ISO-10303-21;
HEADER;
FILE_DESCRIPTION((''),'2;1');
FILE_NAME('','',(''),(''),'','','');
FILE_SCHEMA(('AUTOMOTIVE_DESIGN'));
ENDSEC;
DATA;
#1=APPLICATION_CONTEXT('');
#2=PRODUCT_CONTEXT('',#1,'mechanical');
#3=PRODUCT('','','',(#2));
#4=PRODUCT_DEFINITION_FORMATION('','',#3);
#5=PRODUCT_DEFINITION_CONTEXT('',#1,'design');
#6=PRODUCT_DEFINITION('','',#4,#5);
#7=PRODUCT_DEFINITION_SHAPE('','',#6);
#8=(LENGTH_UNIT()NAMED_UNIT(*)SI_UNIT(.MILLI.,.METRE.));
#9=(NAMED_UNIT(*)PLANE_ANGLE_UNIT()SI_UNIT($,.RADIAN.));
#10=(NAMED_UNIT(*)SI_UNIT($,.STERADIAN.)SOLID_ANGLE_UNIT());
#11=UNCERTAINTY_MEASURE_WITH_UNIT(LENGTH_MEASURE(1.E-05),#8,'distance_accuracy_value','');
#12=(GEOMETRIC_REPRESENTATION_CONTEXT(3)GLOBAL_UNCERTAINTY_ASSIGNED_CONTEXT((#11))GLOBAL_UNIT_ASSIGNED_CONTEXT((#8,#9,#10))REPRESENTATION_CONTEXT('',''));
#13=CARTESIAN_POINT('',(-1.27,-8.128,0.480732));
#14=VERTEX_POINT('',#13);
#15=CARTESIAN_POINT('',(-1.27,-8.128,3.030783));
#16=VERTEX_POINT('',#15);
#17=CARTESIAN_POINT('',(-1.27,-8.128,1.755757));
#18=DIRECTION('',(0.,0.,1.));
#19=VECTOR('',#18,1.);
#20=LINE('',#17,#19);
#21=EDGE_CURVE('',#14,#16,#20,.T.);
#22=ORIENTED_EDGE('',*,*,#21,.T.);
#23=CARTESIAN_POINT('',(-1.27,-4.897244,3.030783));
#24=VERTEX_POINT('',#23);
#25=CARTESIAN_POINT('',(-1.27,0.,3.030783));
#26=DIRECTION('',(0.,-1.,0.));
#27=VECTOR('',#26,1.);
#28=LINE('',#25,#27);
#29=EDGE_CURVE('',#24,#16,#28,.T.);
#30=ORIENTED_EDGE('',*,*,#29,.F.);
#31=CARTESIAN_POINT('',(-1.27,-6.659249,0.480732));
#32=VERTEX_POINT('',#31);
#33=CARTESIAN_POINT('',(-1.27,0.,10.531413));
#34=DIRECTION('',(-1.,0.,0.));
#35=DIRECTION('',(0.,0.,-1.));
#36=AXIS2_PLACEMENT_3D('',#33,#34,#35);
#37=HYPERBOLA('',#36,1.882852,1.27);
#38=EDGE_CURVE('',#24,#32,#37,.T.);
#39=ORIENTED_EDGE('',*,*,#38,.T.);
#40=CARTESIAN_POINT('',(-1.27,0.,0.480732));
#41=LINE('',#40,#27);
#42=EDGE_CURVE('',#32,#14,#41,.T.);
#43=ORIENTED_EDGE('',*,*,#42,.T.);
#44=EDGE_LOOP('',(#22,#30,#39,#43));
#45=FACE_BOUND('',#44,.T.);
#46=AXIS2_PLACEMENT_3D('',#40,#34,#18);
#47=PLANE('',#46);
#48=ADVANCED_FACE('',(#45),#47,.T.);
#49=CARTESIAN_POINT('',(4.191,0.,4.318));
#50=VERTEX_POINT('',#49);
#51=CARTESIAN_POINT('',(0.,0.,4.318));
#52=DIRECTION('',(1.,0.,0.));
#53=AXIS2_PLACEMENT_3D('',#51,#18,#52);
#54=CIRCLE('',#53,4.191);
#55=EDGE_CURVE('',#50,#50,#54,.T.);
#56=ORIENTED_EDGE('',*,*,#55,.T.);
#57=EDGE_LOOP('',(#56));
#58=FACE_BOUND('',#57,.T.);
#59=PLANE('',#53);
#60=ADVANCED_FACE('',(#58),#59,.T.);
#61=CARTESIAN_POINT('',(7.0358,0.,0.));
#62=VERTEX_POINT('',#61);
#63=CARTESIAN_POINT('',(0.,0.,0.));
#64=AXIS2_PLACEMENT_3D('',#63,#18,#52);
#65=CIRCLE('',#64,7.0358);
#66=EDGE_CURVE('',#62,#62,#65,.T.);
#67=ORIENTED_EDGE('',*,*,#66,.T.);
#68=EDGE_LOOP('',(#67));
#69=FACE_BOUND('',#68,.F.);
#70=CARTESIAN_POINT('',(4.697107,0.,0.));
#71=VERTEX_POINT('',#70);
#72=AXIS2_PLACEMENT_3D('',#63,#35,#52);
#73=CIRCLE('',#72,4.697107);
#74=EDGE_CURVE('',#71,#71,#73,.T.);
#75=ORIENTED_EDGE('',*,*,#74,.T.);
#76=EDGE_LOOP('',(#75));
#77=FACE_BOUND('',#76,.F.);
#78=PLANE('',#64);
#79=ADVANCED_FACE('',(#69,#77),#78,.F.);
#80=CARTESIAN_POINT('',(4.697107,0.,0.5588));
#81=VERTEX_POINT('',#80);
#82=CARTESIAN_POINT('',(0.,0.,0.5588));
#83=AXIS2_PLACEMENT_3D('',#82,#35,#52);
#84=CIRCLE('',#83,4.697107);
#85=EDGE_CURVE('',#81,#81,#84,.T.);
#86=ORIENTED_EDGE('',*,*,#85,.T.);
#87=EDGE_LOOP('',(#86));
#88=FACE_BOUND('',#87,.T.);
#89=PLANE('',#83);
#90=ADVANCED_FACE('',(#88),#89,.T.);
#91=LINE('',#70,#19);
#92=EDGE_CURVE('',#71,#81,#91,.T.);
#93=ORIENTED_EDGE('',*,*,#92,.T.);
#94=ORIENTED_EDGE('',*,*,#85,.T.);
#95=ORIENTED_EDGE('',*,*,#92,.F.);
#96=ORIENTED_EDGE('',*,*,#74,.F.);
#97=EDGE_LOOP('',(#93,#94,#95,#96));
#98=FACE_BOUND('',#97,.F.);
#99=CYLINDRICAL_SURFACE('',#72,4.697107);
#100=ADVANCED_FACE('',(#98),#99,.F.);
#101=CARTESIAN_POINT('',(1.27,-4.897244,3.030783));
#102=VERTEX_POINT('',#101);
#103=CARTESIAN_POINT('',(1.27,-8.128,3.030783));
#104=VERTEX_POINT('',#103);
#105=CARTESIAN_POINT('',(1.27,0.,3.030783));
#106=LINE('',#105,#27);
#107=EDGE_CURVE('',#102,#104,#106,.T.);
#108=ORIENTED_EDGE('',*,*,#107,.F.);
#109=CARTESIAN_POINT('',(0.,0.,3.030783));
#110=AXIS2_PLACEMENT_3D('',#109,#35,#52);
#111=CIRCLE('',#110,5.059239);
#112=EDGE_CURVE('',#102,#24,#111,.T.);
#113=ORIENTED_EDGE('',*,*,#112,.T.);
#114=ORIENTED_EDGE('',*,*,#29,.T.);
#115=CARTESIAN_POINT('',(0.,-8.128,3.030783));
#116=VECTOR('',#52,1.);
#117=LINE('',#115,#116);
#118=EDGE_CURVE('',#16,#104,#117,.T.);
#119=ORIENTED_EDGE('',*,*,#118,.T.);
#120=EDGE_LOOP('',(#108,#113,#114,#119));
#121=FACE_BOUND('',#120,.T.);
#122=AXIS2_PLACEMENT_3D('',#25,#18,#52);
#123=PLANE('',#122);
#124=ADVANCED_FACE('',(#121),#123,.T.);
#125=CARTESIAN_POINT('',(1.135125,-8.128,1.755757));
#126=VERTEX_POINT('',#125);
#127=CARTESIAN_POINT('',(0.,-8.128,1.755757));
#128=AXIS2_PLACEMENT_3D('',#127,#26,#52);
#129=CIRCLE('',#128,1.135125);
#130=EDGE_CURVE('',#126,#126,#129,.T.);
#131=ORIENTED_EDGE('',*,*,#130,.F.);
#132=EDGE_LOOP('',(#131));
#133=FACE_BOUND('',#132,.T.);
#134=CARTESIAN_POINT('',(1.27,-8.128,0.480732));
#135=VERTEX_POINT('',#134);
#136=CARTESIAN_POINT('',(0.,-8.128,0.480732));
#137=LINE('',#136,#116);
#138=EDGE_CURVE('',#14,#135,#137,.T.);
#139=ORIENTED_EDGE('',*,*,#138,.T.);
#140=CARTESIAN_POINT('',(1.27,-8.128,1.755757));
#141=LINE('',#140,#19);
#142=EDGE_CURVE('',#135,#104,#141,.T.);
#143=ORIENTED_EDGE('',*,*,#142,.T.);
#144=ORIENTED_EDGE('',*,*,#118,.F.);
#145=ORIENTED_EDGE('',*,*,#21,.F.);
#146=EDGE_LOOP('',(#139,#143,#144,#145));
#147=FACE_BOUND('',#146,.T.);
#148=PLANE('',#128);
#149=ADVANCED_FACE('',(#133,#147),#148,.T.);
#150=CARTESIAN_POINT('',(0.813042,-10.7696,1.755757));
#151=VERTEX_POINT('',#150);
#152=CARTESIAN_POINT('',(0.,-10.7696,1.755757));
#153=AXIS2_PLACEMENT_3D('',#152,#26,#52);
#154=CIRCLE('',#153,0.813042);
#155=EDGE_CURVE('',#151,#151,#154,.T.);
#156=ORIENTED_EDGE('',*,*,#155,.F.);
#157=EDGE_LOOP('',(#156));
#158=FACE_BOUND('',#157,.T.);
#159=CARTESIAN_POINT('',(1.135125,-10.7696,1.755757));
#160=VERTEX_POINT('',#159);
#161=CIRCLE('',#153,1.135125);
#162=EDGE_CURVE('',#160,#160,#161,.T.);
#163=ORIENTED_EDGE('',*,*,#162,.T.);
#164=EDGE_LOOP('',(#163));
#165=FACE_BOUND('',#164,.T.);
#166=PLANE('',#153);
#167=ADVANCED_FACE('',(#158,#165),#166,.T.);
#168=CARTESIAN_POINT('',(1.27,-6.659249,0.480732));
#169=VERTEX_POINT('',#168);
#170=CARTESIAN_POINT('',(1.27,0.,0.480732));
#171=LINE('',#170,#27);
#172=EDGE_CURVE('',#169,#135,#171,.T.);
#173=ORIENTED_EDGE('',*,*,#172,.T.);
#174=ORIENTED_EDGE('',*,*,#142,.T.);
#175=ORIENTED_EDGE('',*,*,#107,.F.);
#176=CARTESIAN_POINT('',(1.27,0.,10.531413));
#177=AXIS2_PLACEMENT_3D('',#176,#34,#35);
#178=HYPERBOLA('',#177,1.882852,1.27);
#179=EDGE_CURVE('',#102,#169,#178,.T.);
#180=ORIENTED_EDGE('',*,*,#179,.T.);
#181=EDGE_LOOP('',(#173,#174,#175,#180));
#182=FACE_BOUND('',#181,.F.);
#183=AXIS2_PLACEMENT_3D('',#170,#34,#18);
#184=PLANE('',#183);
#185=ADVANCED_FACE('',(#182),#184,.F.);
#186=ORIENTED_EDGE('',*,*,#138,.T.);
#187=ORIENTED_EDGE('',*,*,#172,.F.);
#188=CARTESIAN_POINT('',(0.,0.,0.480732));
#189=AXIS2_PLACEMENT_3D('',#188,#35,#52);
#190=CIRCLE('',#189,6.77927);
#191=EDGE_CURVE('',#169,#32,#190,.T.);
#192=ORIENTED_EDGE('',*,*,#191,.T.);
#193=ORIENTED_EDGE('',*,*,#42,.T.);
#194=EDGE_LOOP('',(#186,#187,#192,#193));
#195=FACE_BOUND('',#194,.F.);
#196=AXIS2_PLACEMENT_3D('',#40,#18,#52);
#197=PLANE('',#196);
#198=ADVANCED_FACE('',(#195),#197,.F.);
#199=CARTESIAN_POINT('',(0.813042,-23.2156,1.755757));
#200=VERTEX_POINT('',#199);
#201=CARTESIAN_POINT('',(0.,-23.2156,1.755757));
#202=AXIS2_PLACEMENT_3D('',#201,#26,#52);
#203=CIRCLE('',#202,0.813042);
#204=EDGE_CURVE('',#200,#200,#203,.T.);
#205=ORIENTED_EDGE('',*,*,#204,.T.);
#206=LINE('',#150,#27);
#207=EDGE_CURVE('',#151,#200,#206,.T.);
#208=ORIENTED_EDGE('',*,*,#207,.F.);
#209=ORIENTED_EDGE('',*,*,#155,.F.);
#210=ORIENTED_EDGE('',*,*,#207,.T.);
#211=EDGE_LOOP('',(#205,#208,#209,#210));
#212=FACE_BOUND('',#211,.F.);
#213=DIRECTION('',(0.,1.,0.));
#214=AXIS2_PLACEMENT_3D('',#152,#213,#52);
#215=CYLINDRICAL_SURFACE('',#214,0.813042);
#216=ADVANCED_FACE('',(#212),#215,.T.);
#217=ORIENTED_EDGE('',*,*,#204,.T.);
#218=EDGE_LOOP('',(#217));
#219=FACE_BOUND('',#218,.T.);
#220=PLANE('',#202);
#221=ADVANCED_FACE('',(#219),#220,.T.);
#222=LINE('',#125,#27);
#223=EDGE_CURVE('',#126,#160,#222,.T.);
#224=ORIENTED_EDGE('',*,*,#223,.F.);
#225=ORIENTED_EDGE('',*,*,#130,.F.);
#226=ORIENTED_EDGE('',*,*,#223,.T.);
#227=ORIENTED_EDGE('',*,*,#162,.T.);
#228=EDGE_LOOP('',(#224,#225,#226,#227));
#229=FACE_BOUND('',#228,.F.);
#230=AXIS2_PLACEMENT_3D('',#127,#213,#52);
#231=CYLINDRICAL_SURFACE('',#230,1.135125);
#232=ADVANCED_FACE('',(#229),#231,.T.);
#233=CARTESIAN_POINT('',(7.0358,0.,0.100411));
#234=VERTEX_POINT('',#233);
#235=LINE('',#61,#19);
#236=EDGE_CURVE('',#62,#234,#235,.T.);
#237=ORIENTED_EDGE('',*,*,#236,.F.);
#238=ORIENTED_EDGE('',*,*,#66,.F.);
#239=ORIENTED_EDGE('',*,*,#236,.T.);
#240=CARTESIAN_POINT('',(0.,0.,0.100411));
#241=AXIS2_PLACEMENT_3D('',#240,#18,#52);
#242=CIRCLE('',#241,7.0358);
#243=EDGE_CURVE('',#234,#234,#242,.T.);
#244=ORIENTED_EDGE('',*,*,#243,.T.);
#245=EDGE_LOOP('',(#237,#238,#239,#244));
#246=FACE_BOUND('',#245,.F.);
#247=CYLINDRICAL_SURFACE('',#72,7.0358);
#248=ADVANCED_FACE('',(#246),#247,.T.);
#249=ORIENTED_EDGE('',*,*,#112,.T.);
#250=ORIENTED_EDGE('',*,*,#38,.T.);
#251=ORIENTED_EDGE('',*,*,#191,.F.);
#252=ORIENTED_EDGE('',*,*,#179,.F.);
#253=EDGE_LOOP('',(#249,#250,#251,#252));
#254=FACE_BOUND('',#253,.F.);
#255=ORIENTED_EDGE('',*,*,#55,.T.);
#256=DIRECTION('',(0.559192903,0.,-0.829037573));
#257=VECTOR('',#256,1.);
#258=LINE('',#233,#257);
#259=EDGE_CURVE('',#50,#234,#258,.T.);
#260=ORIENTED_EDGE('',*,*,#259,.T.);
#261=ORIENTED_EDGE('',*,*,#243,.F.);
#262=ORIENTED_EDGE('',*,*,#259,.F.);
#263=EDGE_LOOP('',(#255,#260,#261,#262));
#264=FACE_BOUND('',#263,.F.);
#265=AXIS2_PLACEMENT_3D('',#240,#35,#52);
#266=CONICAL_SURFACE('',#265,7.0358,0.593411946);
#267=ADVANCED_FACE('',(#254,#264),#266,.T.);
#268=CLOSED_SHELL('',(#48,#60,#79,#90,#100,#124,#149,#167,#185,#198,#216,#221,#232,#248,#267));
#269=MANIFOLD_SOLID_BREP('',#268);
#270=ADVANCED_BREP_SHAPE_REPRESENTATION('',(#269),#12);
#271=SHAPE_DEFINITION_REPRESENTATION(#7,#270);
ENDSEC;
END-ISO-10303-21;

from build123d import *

# Parameters (mm, degrees)
F0_R      = 7.0358
F1_DEPTH  = 4.318
F2_SIZE2  = 4.2175894432
F2_SIZE   = 2.8448
F3_W      = 2.54
F3_H      = 2.5500503834
F4_DEPTH  = 8.128
F5_R      = 1.1351249509
F6_DEPTH  = 2.6416
F7_R      = 4.6971074758
F8_DEPTH  = 0.5588
F9_R      = 0.8130420693
F10_DEPTH = 12.446


with BuildPart() as f1:
    # F0 (on Top) → F1 (new body)
    with BuildSketch(Plane.XY):
        Circle(F0_R)
    extrude(amount=F1_DEPTH)

    # F2
    f2_edges = [f1.edges().sort_by_distance(p)[0] for p in [
        (-7.0358, 0, 4.318),
    ]]
    f2_side = f1.faces().sort_by_distance((0, 0, 4.318))[0]
    chamfer(f2_edges, length=F2_SIZE, length2=F2_SIZE2, reference=f2_side)

    # F3 (on Front) → F4 (join)
    with BuildSketch(Plane.XZ):
        with Locations((0, 1.7557573738)):
            Rectangle(F3_W, F3_H)
    extrude(amount=F4_DEPTH)

    # F5 (on face) → F6 (join)
    with BuildSketch(Plane.XZ.offset(8.128)):
        with Locations((0, 1.7557573738)):
            Circle(F5_R)
    extrude(amount=F6_DEPTH)

    # F7 (on face) → F8 (cut)
    with BuildSketch(Plane(origin=(0, 0, 0), x_dir=(1, 0, 0), z_dir=(0, 0, -1))):
        Circle(F7_R)
    extrude(amount=-F8_DEPTH, mode=Mode.SUBTRACT)

    # F9 (on face) → F10 (join)
    with BuildSketch(Plane.XZ.offset(10.7696)):
        with Locations((0, 1.7557573738)):
            Circle(F9_R)
    extrude(amount=F10_DEPTH)


solid = f1.part
